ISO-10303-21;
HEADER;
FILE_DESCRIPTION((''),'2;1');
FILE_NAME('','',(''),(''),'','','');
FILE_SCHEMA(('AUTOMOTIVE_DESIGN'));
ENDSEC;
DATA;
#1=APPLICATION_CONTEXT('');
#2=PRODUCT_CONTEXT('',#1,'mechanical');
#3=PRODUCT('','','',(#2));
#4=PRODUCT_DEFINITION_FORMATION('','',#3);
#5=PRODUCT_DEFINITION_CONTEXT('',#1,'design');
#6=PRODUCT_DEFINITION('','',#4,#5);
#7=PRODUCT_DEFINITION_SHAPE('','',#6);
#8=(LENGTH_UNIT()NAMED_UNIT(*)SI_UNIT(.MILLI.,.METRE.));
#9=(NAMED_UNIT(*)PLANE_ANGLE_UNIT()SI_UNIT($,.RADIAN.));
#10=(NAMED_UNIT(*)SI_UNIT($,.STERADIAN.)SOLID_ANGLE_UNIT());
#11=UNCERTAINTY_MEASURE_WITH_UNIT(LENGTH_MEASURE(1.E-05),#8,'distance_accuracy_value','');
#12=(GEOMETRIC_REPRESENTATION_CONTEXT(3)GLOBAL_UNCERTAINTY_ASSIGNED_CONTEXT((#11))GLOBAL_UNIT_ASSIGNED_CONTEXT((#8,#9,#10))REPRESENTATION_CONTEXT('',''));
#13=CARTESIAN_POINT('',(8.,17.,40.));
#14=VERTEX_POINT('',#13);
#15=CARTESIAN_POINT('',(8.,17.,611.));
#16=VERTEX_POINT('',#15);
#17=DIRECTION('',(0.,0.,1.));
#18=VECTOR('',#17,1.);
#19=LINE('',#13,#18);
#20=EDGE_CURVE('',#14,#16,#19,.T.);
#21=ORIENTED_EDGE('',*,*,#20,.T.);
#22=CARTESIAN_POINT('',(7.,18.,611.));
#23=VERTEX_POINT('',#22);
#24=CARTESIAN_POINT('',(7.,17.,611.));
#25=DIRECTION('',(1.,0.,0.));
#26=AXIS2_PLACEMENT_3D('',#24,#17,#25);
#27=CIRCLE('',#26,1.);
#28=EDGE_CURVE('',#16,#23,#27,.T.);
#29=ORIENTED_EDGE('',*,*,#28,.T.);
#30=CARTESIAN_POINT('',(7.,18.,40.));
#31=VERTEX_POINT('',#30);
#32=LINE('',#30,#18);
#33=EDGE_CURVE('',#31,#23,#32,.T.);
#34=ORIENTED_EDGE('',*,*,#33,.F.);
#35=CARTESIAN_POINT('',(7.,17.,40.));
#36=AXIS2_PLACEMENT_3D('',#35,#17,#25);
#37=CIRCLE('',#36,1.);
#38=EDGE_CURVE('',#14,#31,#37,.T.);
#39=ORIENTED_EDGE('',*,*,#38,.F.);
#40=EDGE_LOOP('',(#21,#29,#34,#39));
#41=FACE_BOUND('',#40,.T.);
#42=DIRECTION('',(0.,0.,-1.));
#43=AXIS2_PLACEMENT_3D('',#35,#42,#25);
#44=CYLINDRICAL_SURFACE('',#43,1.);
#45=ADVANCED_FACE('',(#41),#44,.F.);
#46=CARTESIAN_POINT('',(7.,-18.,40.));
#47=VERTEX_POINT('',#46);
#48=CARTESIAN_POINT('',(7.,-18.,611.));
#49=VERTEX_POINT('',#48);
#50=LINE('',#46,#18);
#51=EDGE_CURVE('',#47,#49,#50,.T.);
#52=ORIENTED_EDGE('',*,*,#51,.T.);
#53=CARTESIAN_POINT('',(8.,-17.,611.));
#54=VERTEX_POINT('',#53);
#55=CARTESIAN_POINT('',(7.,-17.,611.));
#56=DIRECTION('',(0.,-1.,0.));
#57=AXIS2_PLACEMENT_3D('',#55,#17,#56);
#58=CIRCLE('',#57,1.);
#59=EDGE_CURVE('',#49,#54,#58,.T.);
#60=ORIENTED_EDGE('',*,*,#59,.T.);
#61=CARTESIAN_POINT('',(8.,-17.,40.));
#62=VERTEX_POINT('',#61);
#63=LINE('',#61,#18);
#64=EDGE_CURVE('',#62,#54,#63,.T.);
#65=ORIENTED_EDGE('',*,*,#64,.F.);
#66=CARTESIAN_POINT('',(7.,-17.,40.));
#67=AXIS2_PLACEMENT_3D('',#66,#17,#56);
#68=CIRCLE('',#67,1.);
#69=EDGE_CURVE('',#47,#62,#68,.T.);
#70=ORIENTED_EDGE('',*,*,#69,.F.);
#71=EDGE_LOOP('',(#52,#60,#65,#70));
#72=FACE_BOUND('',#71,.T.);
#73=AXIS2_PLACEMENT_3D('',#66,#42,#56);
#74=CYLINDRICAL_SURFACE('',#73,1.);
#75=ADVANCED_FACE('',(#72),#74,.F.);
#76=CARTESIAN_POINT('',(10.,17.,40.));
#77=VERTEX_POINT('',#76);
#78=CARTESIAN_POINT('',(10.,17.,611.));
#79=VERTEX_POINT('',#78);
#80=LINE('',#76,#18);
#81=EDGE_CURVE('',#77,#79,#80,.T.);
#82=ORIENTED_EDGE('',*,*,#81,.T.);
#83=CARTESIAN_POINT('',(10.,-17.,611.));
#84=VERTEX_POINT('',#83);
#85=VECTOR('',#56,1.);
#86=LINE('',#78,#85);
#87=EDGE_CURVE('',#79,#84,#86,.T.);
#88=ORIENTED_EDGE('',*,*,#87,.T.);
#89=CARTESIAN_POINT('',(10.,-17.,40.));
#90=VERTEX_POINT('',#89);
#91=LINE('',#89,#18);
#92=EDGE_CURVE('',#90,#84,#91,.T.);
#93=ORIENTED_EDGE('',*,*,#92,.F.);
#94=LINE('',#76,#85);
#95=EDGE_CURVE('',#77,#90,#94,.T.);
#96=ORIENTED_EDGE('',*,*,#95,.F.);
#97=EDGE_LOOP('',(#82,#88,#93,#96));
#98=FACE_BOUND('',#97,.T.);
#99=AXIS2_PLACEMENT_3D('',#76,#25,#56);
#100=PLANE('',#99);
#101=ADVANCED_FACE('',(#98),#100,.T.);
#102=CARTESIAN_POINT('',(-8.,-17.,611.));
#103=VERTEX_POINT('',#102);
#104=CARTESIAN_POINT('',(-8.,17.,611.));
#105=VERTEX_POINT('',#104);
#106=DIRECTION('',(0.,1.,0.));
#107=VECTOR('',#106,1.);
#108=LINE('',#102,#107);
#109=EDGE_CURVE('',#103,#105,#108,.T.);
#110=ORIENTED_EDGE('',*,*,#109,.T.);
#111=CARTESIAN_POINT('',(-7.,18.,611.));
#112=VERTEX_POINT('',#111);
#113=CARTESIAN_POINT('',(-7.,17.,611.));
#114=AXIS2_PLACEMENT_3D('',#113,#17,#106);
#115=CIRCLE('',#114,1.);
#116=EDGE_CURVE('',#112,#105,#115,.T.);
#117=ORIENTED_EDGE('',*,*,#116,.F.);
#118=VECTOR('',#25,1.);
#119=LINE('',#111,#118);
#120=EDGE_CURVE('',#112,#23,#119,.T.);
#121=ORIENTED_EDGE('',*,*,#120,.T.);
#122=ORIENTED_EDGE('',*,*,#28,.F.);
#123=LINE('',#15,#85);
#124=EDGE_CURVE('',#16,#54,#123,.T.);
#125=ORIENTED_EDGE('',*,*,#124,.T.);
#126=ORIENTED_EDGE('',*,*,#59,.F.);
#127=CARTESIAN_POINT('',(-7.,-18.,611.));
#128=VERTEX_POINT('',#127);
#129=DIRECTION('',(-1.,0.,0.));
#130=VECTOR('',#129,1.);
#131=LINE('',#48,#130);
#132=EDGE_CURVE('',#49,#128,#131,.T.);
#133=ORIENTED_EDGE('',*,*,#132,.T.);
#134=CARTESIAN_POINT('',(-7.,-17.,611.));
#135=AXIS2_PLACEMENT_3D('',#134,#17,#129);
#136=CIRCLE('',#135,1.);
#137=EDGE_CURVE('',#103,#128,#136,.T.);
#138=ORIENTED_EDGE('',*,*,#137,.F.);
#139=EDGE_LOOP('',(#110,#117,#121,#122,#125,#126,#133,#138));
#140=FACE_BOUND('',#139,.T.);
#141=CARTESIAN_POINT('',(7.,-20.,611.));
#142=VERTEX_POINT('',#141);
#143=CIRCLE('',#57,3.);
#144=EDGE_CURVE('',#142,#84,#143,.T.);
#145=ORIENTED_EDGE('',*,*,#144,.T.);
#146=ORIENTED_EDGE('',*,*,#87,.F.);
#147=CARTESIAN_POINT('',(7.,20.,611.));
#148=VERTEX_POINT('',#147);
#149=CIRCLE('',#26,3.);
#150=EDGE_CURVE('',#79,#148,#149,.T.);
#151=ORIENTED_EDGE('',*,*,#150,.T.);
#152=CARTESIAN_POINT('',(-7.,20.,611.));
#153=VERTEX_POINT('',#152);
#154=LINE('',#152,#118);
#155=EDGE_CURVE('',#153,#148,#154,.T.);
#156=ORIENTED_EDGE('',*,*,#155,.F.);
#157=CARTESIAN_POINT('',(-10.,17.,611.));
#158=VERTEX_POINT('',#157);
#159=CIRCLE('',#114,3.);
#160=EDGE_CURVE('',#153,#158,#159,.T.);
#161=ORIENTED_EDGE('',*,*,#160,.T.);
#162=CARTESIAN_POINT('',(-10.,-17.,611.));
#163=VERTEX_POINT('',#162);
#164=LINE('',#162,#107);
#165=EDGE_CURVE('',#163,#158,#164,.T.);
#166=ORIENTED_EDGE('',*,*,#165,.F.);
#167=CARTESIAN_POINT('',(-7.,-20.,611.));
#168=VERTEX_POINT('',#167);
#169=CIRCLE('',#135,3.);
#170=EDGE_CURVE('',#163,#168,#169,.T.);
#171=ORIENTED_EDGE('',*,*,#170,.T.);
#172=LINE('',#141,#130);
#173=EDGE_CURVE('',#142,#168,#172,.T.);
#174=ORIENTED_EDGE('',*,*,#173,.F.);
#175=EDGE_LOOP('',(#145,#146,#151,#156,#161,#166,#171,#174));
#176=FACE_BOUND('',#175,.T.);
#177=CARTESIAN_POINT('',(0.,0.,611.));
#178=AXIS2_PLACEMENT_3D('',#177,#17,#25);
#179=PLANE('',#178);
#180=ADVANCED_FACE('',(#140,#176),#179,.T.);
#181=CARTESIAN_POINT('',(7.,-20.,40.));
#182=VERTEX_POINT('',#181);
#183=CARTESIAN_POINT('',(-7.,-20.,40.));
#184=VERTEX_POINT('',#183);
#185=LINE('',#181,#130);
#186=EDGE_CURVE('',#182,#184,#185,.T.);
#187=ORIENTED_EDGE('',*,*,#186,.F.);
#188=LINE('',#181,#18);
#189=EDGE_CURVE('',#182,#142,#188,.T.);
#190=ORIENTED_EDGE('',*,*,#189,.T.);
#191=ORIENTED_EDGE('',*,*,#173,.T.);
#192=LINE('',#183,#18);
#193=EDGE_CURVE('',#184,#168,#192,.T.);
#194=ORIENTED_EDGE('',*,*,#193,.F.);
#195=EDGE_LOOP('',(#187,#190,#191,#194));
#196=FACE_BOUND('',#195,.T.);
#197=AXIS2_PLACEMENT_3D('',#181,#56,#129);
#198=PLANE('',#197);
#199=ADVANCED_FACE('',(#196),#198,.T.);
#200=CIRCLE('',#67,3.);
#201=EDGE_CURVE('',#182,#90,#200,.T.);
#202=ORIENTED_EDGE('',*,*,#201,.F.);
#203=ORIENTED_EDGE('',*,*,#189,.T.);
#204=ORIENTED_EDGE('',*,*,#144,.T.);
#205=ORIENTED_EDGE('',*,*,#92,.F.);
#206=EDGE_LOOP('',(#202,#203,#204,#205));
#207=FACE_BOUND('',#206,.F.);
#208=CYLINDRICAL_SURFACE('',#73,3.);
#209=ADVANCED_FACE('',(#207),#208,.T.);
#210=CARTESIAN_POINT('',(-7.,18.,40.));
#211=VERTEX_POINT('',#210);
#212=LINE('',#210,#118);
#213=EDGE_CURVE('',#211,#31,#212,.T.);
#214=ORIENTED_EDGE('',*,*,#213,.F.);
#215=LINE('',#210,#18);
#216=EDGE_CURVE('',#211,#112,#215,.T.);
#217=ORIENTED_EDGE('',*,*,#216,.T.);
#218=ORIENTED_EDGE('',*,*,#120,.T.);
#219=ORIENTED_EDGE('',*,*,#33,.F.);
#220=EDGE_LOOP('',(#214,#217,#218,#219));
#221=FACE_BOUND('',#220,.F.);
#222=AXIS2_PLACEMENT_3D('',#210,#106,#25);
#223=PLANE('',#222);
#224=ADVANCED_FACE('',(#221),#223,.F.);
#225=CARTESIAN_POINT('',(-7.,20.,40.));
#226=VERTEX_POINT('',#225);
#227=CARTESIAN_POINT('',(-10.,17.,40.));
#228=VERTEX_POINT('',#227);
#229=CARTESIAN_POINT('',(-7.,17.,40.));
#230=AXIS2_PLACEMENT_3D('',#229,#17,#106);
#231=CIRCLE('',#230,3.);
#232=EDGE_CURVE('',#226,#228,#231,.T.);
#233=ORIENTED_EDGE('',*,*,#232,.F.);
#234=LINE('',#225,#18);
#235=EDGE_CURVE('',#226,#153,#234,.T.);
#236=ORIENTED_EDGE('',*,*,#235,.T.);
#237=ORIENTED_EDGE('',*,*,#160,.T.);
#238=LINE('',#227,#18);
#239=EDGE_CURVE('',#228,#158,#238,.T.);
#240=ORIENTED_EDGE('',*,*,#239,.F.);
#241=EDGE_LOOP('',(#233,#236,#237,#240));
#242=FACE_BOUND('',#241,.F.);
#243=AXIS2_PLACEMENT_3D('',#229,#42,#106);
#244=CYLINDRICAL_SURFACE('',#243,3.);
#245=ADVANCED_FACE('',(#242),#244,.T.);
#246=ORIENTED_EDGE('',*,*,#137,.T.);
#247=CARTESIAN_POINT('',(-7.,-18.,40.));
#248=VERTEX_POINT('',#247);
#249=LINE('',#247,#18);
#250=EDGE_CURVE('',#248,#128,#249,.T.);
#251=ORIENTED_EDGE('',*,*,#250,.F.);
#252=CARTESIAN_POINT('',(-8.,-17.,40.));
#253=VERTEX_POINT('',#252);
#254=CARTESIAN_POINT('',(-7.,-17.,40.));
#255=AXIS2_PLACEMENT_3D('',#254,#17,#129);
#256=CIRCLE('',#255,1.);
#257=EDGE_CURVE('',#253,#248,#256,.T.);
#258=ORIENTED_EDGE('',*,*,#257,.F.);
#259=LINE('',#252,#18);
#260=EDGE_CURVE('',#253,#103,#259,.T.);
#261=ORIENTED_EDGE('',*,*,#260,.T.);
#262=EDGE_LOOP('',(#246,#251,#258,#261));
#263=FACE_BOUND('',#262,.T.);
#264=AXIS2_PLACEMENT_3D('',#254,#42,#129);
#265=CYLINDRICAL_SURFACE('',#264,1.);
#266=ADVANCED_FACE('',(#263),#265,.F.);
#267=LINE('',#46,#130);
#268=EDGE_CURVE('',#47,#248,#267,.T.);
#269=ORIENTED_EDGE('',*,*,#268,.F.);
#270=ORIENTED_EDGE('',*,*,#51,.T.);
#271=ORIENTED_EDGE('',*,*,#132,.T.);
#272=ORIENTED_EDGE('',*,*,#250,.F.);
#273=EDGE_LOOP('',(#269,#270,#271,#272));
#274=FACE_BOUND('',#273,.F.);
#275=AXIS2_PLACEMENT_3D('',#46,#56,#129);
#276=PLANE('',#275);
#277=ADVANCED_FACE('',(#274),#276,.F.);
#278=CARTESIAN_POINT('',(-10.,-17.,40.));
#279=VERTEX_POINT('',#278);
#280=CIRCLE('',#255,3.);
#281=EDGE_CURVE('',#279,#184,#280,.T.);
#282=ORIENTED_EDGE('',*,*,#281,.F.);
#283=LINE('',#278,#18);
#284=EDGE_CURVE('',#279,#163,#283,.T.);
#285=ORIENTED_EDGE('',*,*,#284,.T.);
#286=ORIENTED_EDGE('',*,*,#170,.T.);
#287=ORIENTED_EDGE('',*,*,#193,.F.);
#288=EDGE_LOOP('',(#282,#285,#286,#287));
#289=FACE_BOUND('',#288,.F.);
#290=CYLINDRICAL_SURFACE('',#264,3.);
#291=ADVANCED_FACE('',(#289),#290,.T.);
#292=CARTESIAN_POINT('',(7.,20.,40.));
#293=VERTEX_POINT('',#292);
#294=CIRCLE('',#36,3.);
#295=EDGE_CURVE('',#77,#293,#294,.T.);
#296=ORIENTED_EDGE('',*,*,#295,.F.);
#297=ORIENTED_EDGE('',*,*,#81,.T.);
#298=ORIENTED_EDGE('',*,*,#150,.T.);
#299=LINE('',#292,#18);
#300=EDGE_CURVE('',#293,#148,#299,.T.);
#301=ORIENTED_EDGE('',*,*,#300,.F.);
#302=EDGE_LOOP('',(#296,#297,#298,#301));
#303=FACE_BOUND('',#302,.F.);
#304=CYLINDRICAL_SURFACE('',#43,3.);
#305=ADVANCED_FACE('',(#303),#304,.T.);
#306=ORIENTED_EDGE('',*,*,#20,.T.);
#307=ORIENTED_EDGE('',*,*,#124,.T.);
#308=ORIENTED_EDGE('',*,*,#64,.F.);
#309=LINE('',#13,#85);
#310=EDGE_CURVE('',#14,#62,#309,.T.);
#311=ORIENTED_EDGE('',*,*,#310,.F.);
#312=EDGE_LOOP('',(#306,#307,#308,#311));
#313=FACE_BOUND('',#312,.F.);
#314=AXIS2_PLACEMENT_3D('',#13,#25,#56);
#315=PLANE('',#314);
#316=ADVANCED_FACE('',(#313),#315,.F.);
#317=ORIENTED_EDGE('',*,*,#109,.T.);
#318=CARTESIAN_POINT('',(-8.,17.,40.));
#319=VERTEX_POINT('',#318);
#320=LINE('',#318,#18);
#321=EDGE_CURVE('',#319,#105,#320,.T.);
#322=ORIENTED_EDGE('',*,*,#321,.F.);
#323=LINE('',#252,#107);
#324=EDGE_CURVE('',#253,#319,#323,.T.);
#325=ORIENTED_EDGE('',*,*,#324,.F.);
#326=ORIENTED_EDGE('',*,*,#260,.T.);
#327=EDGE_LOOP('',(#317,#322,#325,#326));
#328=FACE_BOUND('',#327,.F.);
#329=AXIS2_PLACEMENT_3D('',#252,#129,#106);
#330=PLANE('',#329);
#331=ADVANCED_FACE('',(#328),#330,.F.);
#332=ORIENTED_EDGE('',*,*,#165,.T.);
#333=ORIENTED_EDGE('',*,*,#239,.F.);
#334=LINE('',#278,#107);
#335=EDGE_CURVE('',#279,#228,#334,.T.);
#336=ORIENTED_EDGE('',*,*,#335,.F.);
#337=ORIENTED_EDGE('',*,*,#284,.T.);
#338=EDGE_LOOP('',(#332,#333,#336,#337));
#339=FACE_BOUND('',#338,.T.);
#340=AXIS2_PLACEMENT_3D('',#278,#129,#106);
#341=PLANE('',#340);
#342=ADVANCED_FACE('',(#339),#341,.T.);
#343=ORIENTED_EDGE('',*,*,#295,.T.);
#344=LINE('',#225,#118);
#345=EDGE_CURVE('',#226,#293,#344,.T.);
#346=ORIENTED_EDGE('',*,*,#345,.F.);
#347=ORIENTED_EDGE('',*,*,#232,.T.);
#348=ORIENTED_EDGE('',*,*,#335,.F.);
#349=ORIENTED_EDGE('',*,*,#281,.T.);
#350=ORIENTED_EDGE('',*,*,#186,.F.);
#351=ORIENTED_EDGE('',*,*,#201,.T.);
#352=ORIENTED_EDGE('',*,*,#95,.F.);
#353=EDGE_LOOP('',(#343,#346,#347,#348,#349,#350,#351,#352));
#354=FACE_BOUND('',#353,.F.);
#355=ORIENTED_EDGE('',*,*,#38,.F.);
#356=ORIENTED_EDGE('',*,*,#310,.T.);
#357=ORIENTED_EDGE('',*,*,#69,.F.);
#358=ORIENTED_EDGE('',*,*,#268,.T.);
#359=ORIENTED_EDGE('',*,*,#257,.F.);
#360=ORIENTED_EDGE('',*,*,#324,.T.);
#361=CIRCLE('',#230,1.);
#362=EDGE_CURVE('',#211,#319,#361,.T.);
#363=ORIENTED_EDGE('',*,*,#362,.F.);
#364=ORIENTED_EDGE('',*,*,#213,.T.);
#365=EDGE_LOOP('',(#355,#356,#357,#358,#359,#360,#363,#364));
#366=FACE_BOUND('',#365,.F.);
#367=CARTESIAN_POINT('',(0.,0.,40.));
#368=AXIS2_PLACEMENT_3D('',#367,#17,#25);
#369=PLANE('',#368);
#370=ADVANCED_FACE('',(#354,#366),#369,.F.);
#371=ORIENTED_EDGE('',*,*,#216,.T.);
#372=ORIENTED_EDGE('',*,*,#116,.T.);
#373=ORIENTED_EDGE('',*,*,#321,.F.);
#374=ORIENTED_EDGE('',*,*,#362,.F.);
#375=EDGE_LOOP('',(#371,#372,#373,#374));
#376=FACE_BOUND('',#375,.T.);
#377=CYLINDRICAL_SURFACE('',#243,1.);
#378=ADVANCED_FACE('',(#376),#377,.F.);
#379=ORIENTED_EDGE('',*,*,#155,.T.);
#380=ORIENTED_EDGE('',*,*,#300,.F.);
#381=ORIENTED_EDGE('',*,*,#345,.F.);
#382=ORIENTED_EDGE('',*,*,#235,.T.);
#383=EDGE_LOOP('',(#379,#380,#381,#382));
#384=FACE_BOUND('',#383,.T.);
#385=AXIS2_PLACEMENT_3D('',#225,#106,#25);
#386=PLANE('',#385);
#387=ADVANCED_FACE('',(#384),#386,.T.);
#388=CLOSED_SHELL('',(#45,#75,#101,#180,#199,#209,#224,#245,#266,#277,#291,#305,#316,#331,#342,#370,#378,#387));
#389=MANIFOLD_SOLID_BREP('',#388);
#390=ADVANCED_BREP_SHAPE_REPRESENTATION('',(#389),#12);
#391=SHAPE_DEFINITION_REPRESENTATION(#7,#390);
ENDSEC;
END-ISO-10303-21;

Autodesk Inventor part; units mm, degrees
ref_plane "Start plane" through (0, 0, 40) normal (0, 0, 1) x (1, 0, 0)
ref_plane "End plane" through (0, 0, 611) normal (0, 0, 1) x (1, 0, 0)
sketch "Sketch" plane through (0, 0, 0) normal (0, 0, 1) x (1, 0, 0)
  line L0 (-10, -17) -> (-10, 17)
  line L1 (-7, 20) -> (7, 20)
  line L2 (10, 17) -> (10, -17)
  line L3 (7, -20) -> (-7, -20)
  arc A0 (-10, -17) -> (-7, -20) centre (-7, -17) ccw
  arc A1 (-7, 20) -> (-10, 17) centre (-7, 17) ccw
  arc A2 (10, 17) -> (7, 20) centre (7, 17) ccw
  arc A3 (7, -20) -> (10, -17) centre (7, -17) ccw
  arc A4 (-7, 18) -> (-8, 17) centre (-7, 17) ccw
  line L4 (-7, 18) -> (7, 18)
  arc A5 (8, 17) -> (7, 18) centre (7, 17) ccw
  line L5 (8, 17) -> (8, -17)
  arc A6 (7, -18) -> (8, -17) centre (7, -17) ccw
  line L6 (7, -18) -> (-7, -18)
  arc A7 (-8, -17) -> (-7, -18) centre (-7, -17) ccw
  line L7 (-8, -17) -> (-8, 17)
  line L8 (0, 28.8698) -> (0, -28.8698) construction
  line L9 (-14.8698, 0) -> (14.8698, 0) construction
  dimension "d7" = 3
  dimension "d10" = 40
  dimension "d11" = 20
  dimension "d12" = 2
  dimension "d15" = 20
  dimension "d16" = 10
extrude "Body" add sketch "Sketch" along normal up to surface (571 mm away) from surface at 40
sketch "Sketch3" plane through (0, 0, 0) normal (0, 0, 1) x (1, 0, 0)
  line L0 (0, 0) -> (10, 0)
ref_plane "Work Plane3" through (0, 0, 0) normal (0, -1, 0) x (1, 0, 0)
sketch "Sketch4" plane through (0, 0, 0) normal (0, -1, 0) x (1, 0, 0)
  line L0 (-2, 40) -> (12, 40)
  line L1 (-2, 611) -> (12, 611)
  dimension "d18" = 571
ref_plane "Work Plane4" through (37, -580, 40) normal (0, 0, -1) x (-1, 0, 0)
split "Split1" plane through (37, -580, 40) removes the side toward (0, 0, -1)
ref_plane "Work Plane5" through (-7, -600, 611) normal (0, 0, 1) x (1, 0, 0)
split "Split2" plane through (-7, -600, 611) removes the side toward (0, 0, 1)
equation "\"d7\" = G_IR"
equation "\"d10\" = G_H"
equation "\"d11\" = G_W"
equation "\"d12\" = G_T"
equation "\"d15\" = 0.5 * d10"
equation "\"d16\" = 0.5 * d11"
equation "\"d3\" = G_L"
equation "\"G_W\" = 20"
equation "\"G_H\" = 40"
equation "\"G_T\" = 2"
equation "\"G_IR\" = 3"
equation "\"G_L\" = d18"
equation "\"G_OFFSET_START\" = -40"
equation "\"G_OFFSET_END\" = -40"
equation "\"d13\" = -G_OFFSET_START"
equation "\"d14\" = G_OFFSET_END + B_L"
equation "\"B_L\" = 651"
properties part number "UNI EN 10305-5 - 40 x 20 x 2  - 571" material "Steel, Mild"
